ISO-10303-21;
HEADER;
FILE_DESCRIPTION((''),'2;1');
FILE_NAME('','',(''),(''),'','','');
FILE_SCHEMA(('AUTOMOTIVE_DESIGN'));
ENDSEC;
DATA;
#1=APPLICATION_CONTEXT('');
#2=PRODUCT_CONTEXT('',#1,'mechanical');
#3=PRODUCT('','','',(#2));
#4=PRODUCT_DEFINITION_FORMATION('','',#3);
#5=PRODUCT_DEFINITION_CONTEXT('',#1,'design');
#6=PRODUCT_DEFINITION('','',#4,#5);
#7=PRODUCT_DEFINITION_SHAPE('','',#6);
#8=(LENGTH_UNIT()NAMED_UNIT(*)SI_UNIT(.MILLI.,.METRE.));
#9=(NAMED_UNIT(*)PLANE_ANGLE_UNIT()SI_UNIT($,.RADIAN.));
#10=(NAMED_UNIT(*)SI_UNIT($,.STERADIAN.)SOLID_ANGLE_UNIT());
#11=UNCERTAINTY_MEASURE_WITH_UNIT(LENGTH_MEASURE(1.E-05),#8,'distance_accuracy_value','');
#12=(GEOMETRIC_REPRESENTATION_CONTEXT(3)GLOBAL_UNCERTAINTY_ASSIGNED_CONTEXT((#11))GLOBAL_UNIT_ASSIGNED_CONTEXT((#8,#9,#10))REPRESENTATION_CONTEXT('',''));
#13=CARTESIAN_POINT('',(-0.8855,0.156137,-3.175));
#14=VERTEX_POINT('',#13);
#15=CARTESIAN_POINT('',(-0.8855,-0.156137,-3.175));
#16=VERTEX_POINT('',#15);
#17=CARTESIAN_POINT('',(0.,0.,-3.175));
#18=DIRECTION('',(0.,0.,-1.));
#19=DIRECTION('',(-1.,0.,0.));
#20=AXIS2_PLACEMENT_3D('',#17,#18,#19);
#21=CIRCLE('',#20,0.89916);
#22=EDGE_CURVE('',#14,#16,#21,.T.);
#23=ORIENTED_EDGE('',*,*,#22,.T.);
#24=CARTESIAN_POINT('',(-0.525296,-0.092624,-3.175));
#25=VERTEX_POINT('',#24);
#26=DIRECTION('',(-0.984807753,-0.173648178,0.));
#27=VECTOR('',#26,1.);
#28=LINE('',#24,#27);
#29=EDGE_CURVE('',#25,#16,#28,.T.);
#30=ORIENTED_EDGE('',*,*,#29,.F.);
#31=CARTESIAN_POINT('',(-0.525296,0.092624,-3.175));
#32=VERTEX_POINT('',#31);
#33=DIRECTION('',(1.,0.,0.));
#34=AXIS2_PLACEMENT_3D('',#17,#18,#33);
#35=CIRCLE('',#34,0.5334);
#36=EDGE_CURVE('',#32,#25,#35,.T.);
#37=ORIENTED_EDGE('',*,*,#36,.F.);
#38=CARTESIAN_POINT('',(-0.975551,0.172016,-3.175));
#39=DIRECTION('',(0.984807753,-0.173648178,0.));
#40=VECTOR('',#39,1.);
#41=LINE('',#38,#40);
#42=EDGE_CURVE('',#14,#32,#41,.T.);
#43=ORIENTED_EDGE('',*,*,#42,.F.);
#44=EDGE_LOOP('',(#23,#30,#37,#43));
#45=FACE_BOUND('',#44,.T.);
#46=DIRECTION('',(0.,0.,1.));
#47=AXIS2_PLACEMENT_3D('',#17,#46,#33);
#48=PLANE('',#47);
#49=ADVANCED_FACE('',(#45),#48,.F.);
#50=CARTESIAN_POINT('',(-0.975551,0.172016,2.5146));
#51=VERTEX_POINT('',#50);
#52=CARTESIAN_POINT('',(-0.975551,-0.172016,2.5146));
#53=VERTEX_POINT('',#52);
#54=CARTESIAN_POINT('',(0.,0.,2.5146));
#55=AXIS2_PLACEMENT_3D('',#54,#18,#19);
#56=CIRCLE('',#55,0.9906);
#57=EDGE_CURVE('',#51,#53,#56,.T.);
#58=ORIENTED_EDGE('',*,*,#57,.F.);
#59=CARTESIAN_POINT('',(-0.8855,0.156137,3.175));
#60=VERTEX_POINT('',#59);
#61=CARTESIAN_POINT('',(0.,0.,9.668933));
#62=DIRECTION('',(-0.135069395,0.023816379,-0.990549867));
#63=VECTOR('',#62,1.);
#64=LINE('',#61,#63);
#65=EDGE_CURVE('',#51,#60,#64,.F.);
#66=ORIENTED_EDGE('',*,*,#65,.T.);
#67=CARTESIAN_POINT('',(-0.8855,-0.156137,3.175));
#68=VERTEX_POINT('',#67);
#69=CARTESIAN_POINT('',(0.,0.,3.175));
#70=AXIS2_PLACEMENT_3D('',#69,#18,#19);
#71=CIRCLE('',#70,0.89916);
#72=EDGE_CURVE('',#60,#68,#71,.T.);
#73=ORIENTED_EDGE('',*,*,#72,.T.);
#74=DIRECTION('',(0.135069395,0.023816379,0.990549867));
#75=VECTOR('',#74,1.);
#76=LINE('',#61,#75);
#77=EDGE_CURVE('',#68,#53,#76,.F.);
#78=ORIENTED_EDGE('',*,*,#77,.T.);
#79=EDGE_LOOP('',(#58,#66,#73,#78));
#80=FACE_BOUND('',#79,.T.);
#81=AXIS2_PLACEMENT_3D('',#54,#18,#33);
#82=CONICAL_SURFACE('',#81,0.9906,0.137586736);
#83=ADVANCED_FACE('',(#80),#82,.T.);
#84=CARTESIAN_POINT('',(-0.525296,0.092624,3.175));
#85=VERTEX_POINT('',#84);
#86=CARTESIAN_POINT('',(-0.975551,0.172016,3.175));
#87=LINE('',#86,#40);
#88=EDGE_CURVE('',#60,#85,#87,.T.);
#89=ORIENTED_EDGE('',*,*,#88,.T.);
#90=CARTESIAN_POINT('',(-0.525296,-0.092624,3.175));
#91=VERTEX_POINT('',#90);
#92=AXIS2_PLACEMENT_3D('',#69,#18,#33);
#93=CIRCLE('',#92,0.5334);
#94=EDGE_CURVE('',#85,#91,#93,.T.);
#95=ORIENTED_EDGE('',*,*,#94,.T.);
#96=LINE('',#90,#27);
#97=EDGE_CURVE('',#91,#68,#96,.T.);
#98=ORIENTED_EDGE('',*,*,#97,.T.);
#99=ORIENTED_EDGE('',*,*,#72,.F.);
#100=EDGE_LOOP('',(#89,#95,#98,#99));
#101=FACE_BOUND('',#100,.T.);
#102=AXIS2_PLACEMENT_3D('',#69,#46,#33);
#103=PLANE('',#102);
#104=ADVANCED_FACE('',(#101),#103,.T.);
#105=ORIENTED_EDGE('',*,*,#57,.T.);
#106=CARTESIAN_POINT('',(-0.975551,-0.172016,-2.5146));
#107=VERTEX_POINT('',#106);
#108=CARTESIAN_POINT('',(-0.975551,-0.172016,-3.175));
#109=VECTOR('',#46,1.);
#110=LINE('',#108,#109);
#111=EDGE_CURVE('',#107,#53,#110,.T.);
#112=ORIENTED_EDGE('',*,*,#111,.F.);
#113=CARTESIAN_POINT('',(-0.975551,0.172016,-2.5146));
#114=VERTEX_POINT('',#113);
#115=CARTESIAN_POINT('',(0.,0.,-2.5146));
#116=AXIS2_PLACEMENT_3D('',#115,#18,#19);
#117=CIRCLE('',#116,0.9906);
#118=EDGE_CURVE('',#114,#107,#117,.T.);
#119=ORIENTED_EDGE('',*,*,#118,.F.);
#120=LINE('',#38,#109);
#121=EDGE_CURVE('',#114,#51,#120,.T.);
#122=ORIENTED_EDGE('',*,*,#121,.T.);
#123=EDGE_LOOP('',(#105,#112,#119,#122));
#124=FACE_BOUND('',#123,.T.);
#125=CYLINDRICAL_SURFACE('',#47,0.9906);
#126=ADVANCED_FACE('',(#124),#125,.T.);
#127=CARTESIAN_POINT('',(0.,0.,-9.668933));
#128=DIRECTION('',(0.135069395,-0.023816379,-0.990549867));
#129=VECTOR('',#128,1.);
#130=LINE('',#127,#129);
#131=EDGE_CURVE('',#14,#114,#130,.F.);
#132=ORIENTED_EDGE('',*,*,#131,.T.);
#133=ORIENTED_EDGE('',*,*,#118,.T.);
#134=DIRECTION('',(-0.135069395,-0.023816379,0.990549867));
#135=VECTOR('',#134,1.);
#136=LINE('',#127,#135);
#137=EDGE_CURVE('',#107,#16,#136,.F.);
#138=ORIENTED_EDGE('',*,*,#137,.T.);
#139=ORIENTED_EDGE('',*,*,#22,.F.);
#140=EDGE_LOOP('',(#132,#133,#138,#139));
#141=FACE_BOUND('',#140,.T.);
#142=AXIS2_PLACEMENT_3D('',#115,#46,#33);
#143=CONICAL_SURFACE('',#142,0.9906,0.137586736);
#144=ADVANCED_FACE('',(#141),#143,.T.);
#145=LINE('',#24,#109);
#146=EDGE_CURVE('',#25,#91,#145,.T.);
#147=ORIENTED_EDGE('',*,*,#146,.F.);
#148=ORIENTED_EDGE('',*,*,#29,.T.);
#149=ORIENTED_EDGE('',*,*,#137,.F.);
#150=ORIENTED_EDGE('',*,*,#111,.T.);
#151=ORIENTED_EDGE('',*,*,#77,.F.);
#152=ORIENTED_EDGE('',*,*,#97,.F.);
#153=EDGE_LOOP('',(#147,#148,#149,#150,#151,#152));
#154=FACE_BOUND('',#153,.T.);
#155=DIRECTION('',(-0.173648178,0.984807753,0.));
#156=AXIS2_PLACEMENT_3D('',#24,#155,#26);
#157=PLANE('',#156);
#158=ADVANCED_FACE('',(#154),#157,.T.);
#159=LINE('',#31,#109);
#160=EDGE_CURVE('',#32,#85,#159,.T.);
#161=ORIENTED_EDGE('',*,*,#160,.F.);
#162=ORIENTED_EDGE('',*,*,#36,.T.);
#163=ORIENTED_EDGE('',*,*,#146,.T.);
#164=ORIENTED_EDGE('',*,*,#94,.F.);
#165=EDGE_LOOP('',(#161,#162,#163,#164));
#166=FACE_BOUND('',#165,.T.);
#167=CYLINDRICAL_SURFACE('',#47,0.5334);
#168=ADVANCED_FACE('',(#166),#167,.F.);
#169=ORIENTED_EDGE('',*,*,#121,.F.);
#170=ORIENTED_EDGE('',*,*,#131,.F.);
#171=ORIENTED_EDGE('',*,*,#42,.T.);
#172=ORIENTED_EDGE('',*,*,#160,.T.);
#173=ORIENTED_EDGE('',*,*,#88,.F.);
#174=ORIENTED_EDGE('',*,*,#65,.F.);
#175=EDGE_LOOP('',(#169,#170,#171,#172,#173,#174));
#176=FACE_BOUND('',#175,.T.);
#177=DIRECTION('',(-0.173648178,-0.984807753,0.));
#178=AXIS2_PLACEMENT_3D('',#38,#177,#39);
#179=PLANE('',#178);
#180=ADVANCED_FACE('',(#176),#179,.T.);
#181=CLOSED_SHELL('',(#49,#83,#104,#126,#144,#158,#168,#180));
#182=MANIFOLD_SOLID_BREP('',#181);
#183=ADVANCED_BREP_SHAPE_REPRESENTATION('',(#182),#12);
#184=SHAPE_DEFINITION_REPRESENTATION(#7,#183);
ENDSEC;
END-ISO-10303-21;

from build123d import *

# Parameters (mm, degrees)
EXTRUDE1_DEPTH      = 3.175
EXTRUDE1_DEPTH_BACK = 3.175


with BuildPart() as part:
    # Sketch1 → Extrude1 (new, two sides: drawn at the far end of the back side and taken through both)
    with BuildSketch(Plane.XY.offset(-EXTRUDE1_DEPTH_BACK)):
        with BuildLine():
            Line((-0.525296455, -0.092623938), (-0.97555056, -0.172015885))
            ThreePointArc((-0.97555056, -0.172015885), (0.9906, 0), (-0.97555056, 0.172015885))
            Line((-0.97555056, 0.172015885), (-0.525296455, 0.092623938))
            ThreePointArc((-0.525296455, 0.092623938), (0.5334, 0), (-0.525296455, -0.092623938))
        make_face()
    extrude(amount=EXTRUDE1_DEPTH + EXTRUDE1_DEPTH_BACK)

    # Sketch2 → Cut-Revolve1 (revolve, cut)
    with BuildSketch(Plane(origin=(0, 0, 0), x_dir=(0, 0, -1), z_dir=(1, 0, 0))):
        Polygon((3.175, 0.89916), (2.5146, 0.9906), (3.175, 0.9906), align=None)
    cut_revolve1 = revolve(axis=Axis((0, 0, -3.175), (0, 0, 1)), mode=Mode.SUBTRACT)

    # Mirror1: Cut-Revolve1 across plane
    add(cut_revolve1.mirror(Plane.XY), mode=Mode.SUBTRACT)


solid = part.part
